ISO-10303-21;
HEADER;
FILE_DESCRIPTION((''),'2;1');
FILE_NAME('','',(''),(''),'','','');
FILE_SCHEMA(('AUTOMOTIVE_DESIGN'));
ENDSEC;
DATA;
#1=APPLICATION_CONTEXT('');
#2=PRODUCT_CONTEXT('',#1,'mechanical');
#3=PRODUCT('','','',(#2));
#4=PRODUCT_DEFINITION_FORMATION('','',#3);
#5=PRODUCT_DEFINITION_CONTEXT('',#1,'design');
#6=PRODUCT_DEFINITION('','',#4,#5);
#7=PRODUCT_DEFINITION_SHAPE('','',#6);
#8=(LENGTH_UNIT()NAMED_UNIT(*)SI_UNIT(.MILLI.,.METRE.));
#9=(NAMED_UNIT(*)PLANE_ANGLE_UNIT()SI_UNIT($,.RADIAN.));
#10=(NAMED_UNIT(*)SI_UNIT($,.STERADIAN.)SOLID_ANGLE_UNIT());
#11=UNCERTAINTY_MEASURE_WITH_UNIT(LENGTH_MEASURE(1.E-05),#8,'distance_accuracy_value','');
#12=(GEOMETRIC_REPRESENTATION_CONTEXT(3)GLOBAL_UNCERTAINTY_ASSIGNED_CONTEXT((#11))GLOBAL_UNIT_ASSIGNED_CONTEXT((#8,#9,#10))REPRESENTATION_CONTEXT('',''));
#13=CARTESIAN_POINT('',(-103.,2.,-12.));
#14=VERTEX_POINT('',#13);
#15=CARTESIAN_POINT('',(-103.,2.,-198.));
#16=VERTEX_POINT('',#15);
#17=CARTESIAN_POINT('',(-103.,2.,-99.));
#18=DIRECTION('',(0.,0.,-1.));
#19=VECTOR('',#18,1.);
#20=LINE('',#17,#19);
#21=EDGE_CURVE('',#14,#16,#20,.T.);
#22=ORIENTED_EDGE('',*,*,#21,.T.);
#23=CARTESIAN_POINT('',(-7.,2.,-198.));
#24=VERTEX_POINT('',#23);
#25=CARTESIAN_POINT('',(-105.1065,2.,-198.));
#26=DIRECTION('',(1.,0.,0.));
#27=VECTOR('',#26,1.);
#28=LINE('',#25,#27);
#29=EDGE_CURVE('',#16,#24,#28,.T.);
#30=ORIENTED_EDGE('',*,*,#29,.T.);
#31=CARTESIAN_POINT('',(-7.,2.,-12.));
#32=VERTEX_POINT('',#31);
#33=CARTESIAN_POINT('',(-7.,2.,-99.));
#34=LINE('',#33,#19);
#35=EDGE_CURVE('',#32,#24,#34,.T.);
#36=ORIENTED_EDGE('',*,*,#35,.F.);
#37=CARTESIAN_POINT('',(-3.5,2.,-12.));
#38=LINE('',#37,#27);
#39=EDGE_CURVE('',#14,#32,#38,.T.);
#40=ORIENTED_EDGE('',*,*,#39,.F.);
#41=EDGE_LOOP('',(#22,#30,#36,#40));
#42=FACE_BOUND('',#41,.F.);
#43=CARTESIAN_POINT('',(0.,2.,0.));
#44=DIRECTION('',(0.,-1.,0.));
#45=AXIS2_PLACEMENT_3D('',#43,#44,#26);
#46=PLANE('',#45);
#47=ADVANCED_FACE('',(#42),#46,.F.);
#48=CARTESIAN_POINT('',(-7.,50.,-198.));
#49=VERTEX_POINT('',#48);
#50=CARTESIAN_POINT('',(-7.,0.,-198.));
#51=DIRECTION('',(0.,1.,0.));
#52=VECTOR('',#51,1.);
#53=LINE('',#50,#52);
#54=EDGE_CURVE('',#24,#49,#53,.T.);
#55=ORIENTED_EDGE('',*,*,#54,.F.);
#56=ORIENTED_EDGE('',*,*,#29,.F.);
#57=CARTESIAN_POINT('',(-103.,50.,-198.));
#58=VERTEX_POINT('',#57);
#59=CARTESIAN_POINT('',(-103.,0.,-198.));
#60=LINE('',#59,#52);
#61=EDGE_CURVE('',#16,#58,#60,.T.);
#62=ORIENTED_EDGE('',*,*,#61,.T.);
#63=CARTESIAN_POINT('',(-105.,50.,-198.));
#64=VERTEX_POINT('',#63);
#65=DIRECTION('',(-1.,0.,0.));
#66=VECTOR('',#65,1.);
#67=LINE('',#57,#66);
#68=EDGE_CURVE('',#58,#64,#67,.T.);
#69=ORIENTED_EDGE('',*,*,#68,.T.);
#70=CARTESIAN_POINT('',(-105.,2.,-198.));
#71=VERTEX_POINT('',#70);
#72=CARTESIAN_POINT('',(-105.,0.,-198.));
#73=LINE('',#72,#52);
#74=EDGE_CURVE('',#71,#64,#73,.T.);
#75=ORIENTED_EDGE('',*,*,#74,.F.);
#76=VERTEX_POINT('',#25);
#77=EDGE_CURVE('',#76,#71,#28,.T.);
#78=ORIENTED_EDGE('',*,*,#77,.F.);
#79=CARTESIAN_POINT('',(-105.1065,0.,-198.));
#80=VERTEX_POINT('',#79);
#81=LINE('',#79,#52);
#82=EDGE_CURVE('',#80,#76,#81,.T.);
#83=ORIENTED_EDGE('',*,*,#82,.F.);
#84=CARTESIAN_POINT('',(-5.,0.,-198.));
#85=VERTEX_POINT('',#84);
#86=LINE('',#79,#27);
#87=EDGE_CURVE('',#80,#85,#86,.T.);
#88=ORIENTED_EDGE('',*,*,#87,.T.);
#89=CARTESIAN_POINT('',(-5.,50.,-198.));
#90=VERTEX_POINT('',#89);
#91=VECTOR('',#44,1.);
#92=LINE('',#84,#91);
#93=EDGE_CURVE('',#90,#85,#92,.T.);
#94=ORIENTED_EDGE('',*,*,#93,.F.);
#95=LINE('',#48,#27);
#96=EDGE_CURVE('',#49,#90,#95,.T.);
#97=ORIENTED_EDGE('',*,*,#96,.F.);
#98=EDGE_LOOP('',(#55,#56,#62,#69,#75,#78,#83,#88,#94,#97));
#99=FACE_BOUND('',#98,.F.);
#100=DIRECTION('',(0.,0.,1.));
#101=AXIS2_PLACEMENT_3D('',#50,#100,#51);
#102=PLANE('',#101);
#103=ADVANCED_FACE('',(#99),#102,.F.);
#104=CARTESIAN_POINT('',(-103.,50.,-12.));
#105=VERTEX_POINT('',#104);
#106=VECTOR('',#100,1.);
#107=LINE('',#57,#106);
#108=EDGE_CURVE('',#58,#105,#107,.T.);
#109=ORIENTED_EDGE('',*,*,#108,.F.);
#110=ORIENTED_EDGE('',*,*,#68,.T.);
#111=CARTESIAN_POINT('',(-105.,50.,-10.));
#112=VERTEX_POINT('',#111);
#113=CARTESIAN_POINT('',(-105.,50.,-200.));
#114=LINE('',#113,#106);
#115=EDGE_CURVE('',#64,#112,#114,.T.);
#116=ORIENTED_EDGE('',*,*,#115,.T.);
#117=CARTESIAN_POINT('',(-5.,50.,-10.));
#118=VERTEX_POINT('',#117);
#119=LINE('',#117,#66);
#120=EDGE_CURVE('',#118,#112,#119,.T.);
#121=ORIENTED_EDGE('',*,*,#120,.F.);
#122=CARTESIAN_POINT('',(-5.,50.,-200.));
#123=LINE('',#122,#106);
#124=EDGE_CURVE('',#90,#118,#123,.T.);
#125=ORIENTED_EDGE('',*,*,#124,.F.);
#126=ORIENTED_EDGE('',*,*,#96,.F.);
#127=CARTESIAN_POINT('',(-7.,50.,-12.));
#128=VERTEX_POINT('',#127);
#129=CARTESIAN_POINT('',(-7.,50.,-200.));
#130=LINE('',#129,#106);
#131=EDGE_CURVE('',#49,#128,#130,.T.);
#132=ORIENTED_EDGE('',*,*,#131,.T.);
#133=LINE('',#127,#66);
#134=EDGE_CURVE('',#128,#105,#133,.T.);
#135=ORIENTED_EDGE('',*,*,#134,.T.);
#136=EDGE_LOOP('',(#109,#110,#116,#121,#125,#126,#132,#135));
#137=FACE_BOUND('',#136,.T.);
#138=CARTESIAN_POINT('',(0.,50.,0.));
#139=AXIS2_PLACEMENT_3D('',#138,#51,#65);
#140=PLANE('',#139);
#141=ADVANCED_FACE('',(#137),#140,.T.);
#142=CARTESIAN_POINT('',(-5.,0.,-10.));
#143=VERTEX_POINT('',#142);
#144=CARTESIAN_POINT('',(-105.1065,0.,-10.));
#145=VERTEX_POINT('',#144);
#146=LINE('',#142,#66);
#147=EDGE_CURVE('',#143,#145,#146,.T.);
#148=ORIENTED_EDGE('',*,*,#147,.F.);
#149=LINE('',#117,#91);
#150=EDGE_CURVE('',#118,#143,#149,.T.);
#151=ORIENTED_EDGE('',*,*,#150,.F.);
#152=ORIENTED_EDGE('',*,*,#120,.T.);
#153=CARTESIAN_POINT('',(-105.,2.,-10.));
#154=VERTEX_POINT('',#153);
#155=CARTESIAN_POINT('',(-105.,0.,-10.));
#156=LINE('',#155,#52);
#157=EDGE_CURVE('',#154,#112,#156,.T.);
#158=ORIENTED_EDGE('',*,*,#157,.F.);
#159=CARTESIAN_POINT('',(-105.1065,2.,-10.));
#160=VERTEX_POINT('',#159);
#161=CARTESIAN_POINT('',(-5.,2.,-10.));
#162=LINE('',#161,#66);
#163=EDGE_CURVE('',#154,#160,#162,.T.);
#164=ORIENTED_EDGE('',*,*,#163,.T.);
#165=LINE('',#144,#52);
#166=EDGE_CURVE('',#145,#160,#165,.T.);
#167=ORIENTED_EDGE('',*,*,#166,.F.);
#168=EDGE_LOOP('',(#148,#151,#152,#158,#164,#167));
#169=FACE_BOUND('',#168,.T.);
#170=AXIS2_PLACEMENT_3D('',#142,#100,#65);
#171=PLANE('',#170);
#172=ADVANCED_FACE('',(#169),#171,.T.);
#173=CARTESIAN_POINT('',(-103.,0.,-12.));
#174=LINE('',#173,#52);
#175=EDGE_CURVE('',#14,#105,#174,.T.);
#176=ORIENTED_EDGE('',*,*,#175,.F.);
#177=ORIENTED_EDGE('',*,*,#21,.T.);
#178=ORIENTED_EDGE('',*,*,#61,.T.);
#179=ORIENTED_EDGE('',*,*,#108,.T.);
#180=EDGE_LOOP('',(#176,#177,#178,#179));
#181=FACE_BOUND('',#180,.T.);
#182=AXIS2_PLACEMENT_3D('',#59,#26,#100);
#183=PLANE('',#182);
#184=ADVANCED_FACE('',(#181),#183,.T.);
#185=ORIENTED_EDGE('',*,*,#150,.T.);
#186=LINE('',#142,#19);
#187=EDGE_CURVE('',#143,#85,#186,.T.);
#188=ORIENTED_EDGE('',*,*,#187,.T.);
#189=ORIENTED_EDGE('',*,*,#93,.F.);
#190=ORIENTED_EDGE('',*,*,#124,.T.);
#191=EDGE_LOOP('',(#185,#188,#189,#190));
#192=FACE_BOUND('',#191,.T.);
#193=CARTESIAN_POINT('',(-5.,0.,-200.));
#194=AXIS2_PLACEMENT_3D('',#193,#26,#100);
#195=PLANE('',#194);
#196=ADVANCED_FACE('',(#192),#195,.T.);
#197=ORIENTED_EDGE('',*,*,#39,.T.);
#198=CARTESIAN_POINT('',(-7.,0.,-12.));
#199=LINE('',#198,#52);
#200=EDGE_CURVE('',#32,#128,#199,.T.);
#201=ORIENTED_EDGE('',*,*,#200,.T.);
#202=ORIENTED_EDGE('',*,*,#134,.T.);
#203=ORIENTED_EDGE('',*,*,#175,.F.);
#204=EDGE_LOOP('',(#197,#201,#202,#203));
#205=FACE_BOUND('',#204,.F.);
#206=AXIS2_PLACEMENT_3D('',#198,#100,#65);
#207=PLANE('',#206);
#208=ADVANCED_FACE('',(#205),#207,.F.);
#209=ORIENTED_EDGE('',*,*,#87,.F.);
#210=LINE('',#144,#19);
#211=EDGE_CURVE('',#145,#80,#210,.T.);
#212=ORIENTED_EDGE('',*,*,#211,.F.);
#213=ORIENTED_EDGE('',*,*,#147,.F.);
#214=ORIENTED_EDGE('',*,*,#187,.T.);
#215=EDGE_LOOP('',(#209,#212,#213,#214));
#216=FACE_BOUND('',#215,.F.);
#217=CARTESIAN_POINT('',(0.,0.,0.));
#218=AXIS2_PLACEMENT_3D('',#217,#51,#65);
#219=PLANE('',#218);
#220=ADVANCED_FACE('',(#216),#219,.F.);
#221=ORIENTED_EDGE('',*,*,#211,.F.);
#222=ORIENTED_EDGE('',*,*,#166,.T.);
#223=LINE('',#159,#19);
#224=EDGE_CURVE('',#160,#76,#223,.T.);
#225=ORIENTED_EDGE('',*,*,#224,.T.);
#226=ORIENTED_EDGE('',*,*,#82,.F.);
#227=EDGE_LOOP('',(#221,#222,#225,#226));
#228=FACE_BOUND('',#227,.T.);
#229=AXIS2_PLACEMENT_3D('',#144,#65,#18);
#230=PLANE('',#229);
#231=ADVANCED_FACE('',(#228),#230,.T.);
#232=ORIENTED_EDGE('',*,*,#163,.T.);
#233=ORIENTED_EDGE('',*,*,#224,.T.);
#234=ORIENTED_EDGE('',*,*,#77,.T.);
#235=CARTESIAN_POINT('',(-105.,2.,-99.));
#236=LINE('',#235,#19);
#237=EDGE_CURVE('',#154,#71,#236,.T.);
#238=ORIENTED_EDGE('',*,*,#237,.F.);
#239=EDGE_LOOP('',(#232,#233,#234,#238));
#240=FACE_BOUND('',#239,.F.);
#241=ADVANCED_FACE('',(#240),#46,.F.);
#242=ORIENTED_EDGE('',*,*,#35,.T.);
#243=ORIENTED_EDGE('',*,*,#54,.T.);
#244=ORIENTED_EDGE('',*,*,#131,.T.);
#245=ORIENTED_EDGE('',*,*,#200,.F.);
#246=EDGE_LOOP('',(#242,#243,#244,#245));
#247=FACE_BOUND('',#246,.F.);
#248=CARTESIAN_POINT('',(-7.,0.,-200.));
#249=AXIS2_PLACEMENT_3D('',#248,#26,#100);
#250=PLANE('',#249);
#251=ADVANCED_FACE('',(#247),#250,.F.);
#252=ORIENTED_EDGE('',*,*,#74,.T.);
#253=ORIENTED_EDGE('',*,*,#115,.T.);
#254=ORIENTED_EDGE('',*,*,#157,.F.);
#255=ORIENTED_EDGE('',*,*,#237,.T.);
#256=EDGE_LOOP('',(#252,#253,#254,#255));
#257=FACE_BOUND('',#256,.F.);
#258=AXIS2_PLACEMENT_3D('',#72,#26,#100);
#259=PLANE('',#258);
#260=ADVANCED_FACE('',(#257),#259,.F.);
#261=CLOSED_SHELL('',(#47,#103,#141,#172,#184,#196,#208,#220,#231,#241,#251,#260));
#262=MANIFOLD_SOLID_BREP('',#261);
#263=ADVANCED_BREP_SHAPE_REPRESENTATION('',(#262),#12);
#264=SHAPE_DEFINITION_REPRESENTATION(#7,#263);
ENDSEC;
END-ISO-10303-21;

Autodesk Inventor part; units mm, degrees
ref_plane "YZ Plane" through (0, 0, 0) normal (1, 0, 0) x (0, 1, 0)
ref_plane "XZ Plane" through (0, 0, 0) normal (0, 1, 0) x (-1, 0, 0)
ref_plane "XY Plane" through (0, 0, 0) normal (0, 0, 1) x (1, 0, 0)
sketch "Sketch1" plane through (0, 0, 0) normal (0, 1, 0) x (-1, 0, 0)
  line L0 (0, 0) -> (110, 0)
  line L1 (110, 0) -> (110, -200)
  line L2 (110, -200) -> (0, -200)
  line L3 (0, -200) -> (0, 0)
  line L4 (110, -200) -> (105, -200)
  line L5 (0, -200) -> (5, -200)
  line L6 (5, -200) -> (5, -10)
  line L7 (5, -10) -> (107.5, -10)
  line L8 (105, -200) -> (105, -10)
  line L9 (5, -200) -> (7, -200)
  line L10 (7, -200) -> (7, -12)
  line L11 (7, -12) -> (103, -12)
  line L12 (7, -200) -> (7, -198)
  line L13 (7, -198) -> (103, -198)
  line L14 (103, -198) -> (103, -12)
  line L15 (103, -198) -> (105, -198)
  dimension "d0" = 110
  dimension "d1" = 200
  dimension "d2" = 5
  dimension "d3" = 5
  dimension "d4" = 190
  dimension "d5" = 2
  dimension "d6" = 188
  dimension "d7" = 96
  dimension "d8" = 2
extrude "Extrusion1" add sketch "Sketch1" along normal blind 50 contours L6 L7 L8 L15 L14 L11 L10 L2
sketch "Sketch2" plane through (0, 0, 0) normal (0, -1, 0) x (1, 0, 0)
  line L0 (-5, -10) -> (-5, -200) projected
  line L1 (-5, -10) -> (-105.1065, -10)
  line L2 (-105.1065, -10) -> (-105.1065, -198)
  line L3 (-105.1065, -198) -> (-5, -198)
  line L4 (-5, -198) -> (-5, -10)
  point P0 (0, 0)
extrude "Extrusion2" add sketch "Sketch2" against normal blind 2
sketch "Sketch3" plane through (-7, 0, -200) normal (-1, 0, 0) x (0, 0, 1)
  line L0 (190, 50) -> (0, 50) projected
  line L1 (0, 0) -> (2, 0)
  line L2 (2, 0) -> (2, 50)
  line L3 (2, 50) -> (0, 50)
  line L4 (0, 50) -> (0, 0)
  point P0 (200, 0)
  dimension "d13" = 2
extrude "Extrusion3" cut sketch "Sketch3" against normal blind 23.25
properties part number "aaaa"
